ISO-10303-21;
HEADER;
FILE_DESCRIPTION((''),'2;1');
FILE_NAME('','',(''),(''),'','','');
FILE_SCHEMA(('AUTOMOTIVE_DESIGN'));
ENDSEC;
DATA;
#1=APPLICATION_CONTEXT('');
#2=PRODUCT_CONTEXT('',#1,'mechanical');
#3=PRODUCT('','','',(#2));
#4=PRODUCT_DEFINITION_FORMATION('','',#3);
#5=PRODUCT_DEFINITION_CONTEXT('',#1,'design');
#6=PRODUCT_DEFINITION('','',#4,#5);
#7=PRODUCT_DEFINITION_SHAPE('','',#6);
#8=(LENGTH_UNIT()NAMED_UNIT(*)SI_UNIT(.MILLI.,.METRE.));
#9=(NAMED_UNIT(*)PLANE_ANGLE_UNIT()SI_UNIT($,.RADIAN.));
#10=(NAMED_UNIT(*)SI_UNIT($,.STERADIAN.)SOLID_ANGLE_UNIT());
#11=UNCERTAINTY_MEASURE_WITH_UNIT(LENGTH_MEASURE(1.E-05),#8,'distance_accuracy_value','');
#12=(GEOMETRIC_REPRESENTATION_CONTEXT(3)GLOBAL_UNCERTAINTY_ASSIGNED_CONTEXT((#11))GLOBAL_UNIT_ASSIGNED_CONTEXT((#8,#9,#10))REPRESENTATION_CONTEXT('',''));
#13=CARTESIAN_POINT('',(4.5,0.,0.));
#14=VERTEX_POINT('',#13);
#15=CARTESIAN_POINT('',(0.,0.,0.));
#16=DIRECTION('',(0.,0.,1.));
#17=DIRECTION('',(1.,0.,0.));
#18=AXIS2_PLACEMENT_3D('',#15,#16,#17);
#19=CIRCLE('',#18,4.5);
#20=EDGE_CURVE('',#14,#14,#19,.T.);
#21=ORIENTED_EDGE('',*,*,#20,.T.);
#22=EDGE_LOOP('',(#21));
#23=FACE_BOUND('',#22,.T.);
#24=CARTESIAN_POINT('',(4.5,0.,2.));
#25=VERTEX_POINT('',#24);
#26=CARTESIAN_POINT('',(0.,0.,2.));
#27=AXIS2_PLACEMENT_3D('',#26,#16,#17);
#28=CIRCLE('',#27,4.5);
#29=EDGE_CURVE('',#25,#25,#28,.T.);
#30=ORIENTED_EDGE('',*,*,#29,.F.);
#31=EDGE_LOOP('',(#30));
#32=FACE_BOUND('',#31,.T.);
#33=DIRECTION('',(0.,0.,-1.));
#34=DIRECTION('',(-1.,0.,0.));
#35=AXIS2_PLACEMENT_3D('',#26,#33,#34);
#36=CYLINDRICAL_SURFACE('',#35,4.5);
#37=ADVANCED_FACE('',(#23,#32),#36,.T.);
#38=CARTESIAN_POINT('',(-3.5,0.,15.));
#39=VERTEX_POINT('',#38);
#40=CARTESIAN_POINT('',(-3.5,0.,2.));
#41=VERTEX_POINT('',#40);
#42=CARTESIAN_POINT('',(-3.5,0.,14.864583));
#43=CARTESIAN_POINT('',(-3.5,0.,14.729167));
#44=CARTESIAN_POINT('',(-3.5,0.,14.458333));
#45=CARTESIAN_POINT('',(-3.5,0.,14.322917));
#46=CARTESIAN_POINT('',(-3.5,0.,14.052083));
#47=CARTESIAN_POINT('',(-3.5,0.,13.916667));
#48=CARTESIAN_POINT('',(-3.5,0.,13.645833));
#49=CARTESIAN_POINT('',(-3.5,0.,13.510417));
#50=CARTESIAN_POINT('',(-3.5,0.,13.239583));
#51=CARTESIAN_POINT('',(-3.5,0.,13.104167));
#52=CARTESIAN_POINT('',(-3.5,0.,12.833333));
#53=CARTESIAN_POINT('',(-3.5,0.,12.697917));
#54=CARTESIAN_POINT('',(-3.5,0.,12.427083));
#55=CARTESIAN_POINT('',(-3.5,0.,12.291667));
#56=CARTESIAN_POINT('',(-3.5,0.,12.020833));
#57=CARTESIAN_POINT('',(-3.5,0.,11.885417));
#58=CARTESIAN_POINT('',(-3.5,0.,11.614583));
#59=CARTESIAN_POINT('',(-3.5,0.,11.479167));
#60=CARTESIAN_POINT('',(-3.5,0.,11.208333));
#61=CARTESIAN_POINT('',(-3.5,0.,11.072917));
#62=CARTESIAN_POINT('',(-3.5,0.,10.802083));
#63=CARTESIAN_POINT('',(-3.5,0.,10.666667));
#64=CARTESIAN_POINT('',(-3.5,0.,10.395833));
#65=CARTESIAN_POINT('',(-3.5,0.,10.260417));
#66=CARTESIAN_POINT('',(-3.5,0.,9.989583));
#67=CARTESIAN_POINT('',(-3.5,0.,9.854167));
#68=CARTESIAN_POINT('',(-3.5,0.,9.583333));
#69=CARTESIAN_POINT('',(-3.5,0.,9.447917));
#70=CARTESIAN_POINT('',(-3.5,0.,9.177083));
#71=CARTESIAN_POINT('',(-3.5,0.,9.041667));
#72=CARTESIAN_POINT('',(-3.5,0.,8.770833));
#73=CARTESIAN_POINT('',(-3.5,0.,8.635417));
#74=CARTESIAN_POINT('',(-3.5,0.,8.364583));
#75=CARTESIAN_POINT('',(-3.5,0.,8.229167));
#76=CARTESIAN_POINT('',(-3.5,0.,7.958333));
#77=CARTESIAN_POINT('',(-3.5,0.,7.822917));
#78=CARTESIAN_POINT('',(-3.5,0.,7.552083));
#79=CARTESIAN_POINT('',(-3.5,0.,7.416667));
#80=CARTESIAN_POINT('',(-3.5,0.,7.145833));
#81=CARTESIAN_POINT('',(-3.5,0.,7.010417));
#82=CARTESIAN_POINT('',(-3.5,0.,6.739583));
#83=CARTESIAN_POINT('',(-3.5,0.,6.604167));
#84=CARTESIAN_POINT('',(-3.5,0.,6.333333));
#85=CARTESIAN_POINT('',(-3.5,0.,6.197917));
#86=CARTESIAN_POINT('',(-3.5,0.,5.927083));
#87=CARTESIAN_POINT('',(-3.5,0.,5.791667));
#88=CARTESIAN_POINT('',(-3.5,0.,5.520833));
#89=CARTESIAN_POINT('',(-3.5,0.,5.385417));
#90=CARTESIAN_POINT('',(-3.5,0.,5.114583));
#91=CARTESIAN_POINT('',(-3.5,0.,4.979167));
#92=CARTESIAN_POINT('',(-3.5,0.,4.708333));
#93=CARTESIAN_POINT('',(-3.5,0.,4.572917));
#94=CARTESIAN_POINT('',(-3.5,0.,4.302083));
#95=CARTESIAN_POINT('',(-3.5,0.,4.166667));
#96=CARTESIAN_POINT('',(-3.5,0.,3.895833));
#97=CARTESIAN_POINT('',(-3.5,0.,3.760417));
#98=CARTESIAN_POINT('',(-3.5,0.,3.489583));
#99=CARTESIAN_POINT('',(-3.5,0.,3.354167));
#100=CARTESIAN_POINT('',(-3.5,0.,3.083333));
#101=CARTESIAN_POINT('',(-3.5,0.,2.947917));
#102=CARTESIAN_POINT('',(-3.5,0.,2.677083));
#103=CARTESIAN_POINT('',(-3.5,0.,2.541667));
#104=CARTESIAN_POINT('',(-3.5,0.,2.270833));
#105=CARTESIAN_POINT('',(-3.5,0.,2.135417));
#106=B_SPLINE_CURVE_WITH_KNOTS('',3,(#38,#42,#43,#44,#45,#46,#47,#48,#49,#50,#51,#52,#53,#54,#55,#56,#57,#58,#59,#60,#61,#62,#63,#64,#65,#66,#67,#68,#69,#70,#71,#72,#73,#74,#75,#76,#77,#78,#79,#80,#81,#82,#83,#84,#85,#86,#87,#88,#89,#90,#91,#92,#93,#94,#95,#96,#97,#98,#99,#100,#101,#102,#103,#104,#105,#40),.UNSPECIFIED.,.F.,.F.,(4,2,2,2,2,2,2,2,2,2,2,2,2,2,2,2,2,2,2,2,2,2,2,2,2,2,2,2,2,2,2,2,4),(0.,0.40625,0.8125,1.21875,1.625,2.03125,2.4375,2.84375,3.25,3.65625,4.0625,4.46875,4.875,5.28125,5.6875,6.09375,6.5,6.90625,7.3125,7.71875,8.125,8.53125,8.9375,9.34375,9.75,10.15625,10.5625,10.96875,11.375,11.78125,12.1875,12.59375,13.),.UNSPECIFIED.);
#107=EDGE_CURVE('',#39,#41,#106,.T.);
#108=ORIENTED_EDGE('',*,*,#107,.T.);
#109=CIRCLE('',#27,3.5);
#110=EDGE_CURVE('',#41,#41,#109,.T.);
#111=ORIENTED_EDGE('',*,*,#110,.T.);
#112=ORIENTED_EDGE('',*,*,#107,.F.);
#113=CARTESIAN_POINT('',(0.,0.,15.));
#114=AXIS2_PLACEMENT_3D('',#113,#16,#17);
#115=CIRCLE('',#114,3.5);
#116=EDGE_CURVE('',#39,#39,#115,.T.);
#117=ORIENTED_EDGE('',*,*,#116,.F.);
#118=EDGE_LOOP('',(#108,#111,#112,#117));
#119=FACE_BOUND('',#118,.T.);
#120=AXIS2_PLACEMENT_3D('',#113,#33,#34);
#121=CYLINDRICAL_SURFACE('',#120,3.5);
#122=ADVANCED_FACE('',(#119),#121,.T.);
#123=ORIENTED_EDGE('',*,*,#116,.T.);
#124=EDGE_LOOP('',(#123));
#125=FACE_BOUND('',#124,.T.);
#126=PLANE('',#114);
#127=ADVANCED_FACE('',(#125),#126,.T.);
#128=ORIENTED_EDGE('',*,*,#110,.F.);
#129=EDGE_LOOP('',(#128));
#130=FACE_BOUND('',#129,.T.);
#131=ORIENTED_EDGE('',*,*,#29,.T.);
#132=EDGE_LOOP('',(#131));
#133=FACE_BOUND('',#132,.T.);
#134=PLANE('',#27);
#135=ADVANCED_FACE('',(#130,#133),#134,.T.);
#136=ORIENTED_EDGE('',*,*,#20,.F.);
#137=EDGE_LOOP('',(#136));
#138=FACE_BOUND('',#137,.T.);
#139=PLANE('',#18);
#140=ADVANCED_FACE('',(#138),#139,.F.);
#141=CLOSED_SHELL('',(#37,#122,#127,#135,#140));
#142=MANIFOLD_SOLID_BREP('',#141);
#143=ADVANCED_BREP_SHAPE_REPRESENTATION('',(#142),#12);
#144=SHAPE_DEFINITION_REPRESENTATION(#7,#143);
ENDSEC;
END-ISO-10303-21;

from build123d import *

# Parameters (mm, degrees)
SKETCH1_R           = 4.5
BOSS_EXTRUDE1_DEPTH = 2
SKETCH2_R           = 3.5
BOSS_EXTRUDE2_DEPTH = 13


with BuildPart() as part:
    # Sketch1 → Boss-Extrude1 (new body)
    with BuildSketch(Plane.XY):
        Circle(SKETCH1_R)
    extrude(amount=BOSS_EXTRUDE1_DEPTH)

    # Sketch2 → Boss-Extrude2 (add)
    with BuildSketch(Plane.XY.offset(2)):
        with Locations(Location((0, 0, 0), (0, 0, 180))):
            Circle(SKETCH2_R)
    extrude(amount=BOSS_EXTRUDE2_DEPTH)


solid = part.part
